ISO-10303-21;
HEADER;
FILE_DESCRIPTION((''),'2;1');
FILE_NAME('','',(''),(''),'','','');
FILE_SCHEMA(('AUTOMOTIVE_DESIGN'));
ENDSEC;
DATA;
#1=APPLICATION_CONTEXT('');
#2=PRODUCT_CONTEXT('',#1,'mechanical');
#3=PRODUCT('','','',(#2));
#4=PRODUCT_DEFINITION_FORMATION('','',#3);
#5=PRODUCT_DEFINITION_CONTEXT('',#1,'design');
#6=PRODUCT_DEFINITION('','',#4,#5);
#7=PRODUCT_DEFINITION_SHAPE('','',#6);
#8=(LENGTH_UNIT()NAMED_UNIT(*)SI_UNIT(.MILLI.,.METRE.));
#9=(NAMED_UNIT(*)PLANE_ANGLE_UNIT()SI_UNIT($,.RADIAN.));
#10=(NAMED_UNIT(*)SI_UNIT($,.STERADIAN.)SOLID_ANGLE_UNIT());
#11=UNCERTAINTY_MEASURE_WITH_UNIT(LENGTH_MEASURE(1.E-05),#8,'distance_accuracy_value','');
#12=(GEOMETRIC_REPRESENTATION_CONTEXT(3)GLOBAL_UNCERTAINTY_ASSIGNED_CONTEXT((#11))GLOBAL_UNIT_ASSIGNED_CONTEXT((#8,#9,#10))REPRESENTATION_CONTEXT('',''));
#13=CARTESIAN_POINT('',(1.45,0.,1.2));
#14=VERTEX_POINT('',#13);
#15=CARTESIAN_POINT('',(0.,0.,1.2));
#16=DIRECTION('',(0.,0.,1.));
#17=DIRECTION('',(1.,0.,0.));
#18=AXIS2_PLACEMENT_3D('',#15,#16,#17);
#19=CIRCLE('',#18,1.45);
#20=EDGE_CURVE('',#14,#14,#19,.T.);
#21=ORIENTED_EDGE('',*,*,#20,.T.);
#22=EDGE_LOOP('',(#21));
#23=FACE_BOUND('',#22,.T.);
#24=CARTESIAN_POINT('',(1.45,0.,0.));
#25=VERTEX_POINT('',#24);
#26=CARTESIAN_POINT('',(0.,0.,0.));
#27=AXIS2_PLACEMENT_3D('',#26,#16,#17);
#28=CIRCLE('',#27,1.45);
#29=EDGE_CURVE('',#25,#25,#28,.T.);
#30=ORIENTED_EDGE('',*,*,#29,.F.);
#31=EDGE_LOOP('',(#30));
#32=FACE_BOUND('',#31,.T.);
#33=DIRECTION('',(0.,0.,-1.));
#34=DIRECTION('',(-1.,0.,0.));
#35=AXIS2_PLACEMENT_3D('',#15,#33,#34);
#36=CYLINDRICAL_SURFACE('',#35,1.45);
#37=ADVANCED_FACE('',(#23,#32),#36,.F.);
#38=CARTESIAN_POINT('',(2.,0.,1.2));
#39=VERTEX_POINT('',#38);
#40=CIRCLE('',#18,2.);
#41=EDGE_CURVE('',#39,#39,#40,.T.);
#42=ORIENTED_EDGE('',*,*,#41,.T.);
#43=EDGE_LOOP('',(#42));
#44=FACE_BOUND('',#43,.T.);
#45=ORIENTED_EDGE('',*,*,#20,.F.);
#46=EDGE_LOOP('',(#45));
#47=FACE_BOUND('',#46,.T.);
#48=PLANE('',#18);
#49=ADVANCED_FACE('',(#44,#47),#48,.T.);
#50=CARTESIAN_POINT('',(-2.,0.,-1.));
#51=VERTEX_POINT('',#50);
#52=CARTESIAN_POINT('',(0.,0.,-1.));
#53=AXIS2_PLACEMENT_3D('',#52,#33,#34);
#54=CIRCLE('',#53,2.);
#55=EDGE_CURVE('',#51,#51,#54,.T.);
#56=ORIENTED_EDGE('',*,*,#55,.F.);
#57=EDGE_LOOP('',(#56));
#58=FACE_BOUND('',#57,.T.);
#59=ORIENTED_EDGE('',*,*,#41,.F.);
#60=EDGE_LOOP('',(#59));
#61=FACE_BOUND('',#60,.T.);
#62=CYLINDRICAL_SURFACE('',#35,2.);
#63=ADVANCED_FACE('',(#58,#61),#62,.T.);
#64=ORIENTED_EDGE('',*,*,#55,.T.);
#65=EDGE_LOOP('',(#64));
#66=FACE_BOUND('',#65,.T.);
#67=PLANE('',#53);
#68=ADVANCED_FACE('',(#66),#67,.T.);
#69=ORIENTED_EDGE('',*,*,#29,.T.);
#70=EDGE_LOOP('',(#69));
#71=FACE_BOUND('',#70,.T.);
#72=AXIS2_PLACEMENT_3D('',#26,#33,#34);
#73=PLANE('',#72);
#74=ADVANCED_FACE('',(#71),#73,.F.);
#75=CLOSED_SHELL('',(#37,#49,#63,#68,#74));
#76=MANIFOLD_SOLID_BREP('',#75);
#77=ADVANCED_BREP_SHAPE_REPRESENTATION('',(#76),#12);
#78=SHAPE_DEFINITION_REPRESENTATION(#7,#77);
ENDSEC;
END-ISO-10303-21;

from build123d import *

# Parameters (mm, degrees)
SKETCH1_R           = 2
SKETCH1_R_2         = 1.45
BOSS_EXTRUDE1_DEPTH = 1.2
BOSS_EXTRUDE2_START = 1
SKETCH2_R           = 2
BOSS_EXTRUDE2_DEPTH = 1


with BuildPart() as part:
    # Sketch1 → Boss-Extrude1 (new body)
    with BuildSketch(Plane.XY):
        Circle(SKETCH1_R)
        Circle(SKETCH1_R_2, mode=Mode.SUBTRACT)
    extrude(amount=BOSS_EXTRUDE1_DEPTH)

    # Sketch2 → Boss-Extrude2 (add)
    with BuildSketch(Plane(origin=(0, 0, 0), x_dir=(-1, 0, 0), z_dir=(0, 0, -1)).offset(BOSS_EXTRUDE2_START)):
        Circle(SKETCH2_R)
    extrude(amount=-BOSS_EXTRUDE2_DEPTH)


solid = part.part
